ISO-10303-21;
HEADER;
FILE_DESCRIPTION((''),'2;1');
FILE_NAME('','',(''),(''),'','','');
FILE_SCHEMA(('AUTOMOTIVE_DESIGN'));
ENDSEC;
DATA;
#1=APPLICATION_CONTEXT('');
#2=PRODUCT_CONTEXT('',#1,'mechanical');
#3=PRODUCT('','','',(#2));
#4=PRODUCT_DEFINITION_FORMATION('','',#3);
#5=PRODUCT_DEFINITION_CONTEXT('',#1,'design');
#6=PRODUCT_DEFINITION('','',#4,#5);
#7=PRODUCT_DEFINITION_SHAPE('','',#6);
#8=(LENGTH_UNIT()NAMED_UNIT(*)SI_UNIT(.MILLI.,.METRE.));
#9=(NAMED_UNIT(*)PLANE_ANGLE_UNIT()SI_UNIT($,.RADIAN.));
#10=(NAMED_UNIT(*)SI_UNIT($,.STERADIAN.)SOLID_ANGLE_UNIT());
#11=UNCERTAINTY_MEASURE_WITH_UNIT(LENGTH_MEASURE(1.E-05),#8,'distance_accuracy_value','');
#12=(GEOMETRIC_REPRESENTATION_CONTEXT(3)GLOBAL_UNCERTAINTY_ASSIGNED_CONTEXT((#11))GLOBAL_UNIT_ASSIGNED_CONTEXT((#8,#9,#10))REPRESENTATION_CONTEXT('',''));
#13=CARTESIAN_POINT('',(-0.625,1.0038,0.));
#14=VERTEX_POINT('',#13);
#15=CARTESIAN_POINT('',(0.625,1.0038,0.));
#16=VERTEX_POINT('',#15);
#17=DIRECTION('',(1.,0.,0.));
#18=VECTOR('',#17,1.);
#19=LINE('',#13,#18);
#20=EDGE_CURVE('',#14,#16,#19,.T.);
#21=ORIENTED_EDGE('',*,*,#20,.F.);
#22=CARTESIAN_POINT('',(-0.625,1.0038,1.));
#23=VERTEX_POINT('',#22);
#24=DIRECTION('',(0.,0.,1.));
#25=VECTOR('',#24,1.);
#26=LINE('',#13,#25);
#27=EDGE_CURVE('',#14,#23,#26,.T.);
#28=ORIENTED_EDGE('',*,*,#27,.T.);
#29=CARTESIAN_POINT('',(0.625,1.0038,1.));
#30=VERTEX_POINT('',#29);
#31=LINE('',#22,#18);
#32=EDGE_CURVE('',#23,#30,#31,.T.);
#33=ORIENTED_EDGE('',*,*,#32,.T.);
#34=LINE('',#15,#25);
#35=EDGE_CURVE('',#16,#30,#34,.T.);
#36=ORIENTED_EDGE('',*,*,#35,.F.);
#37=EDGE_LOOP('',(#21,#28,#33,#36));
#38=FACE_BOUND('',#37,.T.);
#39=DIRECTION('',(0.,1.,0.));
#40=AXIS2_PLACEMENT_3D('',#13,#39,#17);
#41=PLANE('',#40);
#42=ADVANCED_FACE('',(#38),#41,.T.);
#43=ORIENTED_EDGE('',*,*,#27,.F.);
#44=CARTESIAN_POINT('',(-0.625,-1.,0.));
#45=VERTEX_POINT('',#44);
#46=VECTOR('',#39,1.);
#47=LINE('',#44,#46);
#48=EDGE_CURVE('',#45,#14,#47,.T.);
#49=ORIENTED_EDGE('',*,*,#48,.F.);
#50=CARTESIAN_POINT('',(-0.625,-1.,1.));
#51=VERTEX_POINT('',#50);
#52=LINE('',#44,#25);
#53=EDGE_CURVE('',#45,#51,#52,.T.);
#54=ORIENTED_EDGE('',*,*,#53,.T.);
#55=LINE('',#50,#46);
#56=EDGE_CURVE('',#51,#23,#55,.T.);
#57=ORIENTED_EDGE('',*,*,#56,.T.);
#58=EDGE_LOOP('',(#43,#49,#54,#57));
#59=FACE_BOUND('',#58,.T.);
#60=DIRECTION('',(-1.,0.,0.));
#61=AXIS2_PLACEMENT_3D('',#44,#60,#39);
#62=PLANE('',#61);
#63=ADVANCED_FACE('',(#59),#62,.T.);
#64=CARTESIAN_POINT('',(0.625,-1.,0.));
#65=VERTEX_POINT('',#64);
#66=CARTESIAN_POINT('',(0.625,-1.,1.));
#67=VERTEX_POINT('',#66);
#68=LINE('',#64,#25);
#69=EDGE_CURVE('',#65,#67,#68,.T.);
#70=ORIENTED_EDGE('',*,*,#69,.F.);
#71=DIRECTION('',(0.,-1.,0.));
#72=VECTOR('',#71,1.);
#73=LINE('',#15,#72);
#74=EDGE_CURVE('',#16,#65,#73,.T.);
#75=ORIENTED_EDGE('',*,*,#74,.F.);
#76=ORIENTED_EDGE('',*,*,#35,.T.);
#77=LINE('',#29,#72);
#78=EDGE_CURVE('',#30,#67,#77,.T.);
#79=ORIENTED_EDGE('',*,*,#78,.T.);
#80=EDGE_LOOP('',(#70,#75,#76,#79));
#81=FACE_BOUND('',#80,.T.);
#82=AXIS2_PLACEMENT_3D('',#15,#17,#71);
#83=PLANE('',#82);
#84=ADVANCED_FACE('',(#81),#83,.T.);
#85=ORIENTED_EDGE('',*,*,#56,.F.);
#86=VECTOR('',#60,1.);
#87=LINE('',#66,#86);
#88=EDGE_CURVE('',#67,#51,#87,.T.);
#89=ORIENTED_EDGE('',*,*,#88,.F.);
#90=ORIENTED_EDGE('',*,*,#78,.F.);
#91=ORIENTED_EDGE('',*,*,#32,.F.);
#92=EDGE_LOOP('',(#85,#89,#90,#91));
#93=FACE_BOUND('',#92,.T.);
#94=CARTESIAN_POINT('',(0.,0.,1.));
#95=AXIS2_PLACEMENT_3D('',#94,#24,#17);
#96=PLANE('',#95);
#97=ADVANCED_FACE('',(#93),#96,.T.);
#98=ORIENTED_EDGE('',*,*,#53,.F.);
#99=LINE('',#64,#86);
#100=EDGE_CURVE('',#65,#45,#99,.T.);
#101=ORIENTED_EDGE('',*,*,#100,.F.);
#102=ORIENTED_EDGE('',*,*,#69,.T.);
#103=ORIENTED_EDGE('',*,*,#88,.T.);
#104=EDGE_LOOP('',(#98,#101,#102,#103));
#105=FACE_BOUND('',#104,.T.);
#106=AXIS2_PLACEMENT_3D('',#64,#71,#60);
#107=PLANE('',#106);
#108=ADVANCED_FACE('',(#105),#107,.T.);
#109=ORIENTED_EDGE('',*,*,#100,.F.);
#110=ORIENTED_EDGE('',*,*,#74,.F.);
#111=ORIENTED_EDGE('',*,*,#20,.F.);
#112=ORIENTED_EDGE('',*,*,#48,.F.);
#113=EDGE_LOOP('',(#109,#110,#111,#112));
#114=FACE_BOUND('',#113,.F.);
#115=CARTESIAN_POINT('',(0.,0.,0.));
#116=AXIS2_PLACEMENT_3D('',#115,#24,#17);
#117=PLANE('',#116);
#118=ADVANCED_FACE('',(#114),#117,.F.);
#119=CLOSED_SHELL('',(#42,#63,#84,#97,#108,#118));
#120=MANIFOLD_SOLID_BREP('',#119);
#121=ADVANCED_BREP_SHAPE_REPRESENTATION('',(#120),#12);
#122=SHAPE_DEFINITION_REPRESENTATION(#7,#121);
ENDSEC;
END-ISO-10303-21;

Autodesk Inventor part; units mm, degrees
ref_plane "YZ Plane" through (0, 0, 0) normal (1, 0, 0) x (0, 1, 0)
ref_plane "XZ Plane" through (0, 0, 0) normal (0, 1, 0) x (-1, 0, 0)
ref_plane "XY Plane" through (0, 0, 0) normal (0, 0, 1) x (1, 0, 0)
sketch "CHIPLED_0805, LED1_CHIPLED_0805_29" plane through (0, 0, 0) normal (0, 0, 1) x (1, 0, 0)
  line L0 (-0.625, 1.0038) -> (0.625, 1.0038)
  line L1 (0.625, 1.0038) -> (0.625, -1)
  line L2 (0.625, -1) -> (-0.625, -1)
  line L3 (-0.625, -1) -> (-0.625, 1.0038)
extrude "Extrusion1" add sketch "CHIPLED_0805, LED1_CHIPLED_0805_29" along normal blind 1
properties part number "LED1_CHIPLED_0805"
